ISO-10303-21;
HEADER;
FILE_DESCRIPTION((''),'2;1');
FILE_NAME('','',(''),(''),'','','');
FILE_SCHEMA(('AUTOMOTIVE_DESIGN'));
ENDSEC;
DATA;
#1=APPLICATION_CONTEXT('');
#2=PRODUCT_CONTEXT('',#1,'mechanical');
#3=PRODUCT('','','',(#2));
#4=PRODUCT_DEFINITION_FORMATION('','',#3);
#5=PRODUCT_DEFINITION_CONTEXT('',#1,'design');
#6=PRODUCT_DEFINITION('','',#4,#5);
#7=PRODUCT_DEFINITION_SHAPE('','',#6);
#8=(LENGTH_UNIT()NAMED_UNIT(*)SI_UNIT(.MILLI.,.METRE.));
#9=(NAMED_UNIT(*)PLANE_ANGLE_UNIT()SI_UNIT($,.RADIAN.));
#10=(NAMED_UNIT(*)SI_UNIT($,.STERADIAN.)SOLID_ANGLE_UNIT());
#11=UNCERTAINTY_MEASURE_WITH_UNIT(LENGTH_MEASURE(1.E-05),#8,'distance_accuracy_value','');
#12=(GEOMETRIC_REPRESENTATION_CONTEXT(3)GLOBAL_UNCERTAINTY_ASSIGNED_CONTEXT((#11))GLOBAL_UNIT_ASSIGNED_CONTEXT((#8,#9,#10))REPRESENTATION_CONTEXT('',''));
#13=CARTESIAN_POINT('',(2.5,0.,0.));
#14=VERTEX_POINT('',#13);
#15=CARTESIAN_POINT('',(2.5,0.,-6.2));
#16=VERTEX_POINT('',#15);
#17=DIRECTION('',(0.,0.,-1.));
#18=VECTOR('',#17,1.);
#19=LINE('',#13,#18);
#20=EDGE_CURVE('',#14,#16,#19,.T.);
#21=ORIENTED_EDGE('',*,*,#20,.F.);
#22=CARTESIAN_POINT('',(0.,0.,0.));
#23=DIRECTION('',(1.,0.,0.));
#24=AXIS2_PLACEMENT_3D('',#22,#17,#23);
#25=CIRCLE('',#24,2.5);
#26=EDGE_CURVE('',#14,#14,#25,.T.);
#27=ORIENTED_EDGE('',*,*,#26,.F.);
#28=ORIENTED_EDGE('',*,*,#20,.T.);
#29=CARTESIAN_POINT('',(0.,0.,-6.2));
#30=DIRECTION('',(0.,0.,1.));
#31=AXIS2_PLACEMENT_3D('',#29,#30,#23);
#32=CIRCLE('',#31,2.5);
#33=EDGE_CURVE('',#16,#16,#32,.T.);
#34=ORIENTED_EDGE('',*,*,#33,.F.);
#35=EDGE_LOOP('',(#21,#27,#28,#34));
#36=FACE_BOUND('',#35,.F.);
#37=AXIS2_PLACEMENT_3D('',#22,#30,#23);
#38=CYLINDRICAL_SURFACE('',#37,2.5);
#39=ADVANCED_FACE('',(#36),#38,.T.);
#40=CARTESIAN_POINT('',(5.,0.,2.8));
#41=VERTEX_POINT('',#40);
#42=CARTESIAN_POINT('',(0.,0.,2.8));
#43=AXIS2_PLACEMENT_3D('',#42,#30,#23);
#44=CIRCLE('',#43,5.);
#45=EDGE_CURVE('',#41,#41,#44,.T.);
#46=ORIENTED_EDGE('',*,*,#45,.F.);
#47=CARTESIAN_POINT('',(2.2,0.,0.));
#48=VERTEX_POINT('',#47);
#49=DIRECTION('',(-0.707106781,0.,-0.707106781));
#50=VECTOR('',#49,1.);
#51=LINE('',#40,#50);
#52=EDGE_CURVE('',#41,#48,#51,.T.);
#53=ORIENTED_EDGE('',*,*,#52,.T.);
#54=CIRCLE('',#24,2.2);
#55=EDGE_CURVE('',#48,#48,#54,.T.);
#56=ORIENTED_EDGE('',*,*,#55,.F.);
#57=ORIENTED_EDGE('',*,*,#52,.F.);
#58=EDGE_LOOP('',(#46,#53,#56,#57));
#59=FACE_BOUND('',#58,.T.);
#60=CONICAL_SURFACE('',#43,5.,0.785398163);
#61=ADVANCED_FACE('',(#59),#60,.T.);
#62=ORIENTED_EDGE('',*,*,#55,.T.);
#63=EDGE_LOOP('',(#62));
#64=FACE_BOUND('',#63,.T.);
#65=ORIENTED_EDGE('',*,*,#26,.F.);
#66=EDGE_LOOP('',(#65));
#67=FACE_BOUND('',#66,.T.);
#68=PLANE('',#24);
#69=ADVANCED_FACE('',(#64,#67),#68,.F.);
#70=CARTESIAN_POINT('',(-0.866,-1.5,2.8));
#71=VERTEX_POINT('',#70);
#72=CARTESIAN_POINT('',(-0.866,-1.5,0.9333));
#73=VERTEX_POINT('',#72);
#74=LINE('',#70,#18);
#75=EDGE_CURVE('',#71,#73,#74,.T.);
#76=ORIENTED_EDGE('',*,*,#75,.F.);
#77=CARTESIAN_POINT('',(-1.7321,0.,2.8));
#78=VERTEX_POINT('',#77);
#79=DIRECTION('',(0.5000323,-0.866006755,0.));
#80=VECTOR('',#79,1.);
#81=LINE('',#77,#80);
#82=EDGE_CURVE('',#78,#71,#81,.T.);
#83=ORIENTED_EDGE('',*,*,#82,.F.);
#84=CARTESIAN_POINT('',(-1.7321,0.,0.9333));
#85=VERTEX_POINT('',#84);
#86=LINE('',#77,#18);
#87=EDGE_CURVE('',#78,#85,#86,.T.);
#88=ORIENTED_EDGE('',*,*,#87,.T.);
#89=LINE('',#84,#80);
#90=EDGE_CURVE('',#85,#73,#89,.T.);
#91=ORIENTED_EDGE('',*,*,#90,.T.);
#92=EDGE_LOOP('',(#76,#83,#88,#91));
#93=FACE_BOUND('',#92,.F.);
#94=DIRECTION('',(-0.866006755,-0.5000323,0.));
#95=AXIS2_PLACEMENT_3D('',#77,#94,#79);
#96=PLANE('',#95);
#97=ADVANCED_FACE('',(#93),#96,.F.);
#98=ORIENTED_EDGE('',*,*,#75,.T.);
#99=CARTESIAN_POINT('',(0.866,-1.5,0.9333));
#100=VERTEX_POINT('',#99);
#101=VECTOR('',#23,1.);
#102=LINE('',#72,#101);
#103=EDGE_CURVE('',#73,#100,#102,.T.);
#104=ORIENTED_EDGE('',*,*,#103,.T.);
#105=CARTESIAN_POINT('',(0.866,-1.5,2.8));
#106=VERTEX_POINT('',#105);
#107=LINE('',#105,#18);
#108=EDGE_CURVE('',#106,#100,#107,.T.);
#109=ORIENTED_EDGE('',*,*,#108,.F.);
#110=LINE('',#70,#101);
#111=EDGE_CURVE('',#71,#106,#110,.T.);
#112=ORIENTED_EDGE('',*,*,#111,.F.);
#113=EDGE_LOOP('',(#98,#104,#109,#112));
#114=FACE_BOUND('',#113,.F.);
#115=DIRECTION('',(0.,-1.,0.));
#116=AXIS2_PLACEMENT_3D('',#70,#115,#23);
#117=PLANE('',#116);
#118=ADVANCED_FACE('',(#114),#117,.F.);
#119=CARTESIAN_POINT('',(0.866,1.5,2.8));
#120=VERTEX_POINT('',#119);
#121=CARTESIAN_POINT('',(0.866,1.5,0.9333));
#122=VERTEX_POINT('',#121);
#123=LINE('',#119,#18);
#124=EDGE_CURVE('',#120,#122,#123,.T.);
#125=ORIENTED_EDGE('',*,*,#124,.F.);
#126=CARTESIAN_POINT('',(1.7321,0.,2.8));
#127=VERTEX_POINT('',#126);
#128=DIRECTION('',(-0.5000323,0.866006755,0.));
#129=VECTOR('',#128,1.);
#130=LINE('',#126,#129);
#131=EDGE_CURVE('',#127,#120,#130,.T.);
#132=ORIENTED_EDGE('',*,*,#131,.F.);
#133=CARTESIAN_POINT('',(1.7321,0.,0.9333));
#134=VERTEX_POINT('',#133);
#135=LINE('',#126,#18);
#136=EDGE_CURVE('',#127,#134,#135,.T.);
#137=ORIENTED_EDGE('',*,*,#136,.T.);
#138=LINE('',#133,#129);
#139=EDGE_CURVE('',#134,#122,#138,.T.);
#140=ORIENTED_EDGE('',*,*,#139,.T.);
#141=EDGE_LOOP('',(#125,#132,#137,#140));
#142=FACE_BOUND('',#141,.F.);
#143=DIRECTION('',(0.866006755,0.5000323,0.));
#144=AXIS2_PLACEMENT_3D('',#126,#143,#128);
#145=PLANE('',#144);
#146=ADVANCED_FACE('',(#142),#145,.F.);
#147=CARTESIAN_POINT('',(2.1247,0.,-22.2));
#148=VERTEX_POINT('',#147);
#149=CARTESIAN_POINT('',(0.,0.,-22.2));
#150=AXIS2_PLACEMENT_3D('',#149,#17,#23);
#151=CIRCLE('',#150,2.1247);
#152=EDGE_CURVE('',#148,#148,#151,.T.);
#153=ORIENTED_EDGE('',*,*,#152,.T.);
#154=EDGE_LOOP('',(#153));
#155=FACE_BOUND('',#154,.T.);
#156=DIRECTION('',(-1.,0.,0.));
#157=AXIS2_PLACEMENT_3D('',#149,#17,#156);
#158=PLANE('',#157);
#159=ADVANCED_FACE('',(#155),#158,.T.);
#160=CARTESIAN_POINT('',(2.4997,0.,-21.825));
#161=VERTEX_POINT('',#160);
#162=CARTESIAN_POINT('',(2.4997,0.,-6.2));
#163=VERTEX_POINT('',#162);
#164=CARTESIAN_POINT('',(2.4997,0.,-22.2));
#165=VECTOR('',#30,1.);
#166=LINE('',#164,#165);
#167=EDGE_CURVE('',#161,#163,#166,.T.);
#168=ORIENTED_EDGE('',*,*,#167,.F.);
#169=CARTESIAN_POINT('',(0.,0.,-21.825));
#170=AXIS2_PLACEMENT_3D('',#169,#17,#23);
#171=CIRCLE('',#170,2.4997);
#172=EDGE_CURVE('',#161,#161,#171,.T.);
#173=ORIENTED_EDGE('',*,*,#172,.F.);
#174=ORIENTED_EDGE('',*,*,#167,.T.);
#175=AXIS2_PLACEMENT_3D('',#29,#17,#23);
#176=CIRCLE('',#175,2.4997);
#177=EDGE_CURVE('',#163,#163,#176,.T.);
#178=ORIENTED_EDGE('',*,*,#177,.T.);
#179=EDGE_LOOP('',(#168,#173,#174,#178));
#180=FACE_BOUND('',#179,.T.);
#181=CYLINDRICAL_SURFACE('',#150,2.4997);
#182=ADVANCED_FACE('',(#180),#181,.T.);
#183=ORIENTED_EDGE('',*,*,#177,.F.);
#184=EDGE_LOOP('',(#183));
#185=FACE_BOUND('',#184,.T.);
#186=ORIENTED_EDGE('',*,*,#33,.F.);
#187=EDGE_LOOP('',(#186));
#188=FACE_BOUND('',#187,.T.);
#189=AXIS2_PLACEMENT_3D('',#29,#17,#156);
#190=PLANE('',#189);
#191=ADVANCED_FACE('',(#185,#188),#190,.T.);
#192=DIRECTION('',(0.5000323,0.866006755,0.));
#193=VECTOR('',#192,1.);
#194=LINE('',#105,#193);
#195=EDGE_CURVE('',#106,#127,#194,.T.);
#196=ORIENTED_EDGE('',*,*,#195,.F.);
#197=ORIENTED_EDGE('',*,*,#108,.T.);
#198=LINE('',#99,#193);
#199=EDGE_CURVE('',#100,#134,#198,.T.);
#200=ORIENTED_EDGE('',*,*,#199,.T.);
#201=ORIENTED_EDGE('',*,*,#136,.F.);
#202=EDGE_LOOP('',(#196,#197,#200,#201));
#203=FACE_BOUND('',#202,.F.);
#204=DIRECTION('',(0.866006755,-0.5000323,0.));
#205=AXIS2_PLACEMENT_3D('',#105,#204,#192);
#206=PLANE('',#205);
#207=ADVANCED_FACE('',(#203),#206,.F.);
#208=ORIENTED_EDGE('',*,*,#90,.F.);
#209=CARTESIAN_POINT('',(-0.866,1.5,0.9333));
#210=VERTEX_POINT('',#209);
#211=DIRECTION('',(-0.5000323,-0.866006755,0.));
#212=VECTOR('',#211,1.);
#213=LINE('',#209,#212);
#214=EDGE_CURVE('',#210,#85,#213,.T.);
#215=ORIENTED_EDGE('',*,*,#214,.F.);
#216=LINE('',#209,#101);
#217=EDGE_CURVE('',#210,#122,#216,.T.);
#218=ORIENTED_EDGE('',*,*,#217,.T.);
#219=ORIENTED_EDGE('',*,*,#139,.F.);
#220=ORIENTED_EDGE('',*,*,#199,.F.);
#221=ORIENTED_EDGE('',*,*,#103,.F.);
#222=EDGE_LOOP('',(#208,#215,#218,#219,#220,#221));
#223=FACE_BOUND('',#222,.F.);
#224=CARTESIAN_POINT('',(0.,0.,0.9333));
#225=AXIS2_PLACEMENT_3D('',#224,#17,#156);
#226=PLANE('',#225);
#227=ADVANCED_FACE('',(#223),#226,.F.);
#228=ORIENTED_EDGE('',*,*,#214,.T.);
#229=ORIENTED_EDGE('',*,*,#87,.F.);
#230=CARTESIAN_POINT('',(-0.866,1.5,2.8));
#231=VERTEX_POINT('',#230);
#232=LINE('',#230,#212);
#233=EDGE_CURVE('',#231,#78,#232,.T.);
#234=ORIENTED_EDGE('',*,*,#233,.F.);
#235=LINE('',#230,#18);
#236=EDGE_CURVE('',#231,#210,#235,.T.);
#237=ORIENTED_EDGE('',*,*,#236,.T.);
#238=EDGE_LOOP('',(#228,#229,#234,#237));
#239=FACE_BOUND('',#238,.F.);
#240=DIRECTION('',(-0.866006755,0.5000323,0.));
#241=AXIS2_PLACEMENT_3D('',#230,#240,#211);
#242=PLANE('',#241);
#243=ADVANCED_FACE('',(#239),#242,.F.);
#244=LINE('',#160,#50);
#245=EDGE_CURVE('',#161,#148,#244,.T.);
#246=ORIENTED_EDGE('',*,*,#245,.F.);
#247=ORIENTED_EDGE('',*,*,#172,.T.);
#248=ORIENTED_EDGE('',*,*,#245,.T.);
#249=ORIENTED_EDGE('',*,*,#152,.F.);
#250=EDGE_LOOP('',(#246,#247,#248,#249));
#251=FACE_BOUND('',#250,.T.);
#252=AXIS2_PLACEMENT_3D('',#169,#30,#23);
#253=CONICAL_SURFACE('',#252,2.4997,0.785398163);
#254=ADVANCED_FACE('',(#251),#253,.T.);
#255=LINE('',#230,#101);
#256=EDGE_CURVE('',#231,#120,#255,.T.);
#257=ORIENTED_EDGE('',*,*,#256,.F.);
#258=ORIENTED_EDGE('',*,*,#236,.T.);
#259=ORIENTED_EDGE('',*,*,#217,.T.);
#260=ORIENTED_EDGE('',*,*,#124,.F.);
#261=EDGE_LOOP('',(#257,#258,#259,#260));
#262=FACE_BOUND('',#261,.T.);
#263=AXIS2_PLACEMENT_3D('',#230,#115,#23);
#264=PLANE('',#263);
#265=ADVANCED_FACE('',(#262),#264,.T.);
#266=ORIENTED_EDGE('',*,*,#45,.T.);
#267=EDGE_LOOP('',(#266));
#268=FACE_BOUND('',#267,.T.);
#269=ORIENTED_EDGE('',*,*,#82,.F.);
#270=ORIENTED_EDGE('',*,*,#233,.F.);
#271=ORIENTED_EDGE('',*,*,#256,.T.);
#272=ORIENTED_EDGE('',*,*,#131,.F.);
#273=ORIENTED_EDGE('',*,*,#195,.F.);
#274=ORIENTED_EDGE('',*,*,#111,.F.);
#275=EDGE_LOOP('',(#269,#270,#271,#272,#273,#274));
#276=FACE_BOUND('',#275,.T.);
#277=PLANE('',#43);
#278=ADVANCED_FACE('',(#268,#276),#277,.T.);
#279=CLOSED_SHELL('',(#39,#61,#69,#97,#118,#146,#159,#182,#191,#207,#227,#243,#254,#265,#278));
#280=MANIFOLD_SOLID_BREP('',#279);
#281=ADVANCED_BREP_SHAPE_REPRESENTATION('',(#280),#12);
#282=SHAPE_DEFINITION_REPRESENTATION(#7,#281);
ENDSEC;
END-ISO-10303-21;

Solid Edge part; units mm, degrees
sketch "Sketch1" plane through (0, 0, 0) normal (0, 0, 1) x (1, 0, 0)
  circle A0 centre (0, 0) radius 5
  dimension "D1" = 10
extrude "Protrusion1" add sketch "Sketch1" along normal blind 2.8
sketch "Sketch2" plane through (0, 0, 0) normal (0, 0, -1) x (1, 0, 0)
  circle A0 centre (0, 0) radius 2.5
extrude "Protrusion2" add sketch "Sketch2" along normal blind 22.2
sketch "Sketch3" plane through (0, 0, -22.2) normal (0, 0, -1) x (1, 0, 0)
  circle A0 centre (0, 0) radius 2.4997
extrude "Cutout1" cut sketch "Sketch3" against normal blind 16 flip side to cut
chamfer "Chamfer_1" distance 0.375 angle 45 1 edges at (-2.4997, 0, -22.2)
sketch "Sketch4" plane through (0, 0, 2.8) normal (0, 0, 1) x (1, 0, 0)
  line L0 (-0.866, 1.5) -> (0.866, 1.5)
  line L1 (1.7321, 0) -> (0.866, 1.5)
  line L2 (0.866, -1.5) -> (1.7321, 0)
  line L3 (-0.866, -1.5) -> (0.866, -1.5)
  line L4 (-1.7321, 0) -> (-0.866, -1.5)
  line L5 (-0.866, 1.5) -> (-1.7321, 0)
  dimension "D1" = 3
extrude "Cutout2" cut sketch "Sketch4" against normal blind 1.8667
sketch "Sketch5" plane through (0, 0, 0) normal (0, -1, 0) x (1, 0, 0)
  line L0 (5, 2.8) -> (2.2, 0)
  line L1 (2.2, 0) -> (5, 0)
  line L2 (5, 0) -> (5, 2.8)
revolve "RevolvedCutout1" cut sketch "Sketch5" angle 360 about axis through (0, 0, 14.0017) along (0, 0, -1)
properties part number "119592"
